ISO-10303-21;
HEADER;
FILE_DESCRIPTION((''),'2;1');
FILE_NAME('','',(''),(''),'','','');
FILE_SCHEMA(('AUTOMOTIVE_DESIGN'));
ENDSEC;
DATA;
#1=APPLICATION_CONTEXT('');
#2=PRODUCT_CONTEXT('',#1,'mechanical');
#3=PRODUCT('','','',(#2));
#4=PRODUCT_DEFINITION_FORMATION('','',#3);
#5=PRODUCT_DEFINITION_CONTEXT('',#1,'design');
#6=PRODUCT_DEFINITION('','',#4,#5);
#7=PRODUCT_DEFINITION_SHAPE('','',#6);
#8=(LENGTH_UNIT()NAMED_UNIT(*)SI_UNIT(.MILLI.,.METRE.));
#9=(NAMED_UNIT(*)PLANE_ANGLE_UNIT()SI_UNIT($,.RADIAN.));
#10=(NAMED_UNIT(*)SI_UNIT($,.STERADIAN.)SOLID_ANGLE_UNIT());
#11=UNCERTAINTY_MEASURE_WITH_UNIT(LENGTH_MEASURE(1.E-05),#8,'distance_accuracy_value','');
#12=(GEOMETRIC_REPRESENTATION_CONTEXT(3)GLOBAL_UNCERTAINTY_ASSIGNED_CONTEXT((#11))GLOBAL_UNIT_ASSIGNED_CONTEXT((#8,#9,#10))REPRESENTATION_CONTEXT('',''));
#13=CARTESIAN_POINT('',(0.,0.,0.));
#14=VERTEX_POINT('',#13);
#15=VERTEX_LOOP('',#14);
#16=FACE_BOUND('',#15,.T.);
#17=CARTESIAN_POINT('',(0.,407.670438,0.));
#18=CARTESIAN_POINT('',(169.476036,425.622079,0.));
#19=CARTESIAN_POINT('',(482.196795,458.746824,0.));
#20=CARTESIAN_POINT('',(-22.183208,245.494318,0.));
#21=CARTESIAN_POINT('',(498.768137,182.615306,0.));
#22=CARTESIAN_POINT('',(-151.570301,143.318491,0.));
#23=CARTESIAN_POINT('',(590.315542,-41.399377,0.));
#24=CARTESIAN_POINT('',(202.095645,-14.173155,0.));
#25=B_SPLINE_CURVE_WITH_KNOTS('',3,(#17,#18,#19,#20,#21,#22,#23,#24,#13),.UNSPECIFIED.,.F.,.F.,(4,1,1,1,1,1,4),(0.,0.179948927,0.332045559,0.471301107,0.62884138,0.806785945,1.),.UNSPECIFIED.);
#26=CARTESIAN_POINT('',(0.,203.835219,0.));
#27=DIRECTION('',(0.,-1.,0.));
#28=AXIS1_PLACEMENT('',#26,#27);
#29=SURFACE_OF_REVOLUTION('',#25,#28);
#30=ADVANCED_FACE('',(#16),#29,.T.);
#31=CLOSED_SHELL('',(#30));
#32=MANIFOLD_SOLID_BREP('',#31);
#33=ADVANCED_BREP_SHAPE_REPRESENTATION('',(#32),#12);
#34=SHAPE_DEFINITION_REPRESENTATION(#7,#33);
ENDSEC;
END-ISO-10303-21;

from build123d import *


with BuildPart() as f1:
    # F0 (on Top) → F1 (revolve)
    with BuildSketch(Plane.XY):
        with BuildLine():
            add(Edge.make_bspline(
                [(0, 407.6704382896), (169.4760361528, 425.6220785069), (482.1967952683, 458.7468239491), (-22.183208367, 245.4943179863), (498.7681367238, 182.6153056316), (-151.5703010556, 143.3184910032), (590.3155416248, -41.3993767175), (202.095644653, -14.1731550942), (0, 0)],
                knots=[0, 0, 0, 0, 0.1799489274, 0.332045559, 0.4713011073, 0.6288413801, 0.8067859449, 1, 1, 1, 1], degree=3))
            Line((0, 407.6704382896), (0, 0))
        make_face()
    revolve(axis=Axis((0, 203.8352191448, 0), (0, -1, 0)))


solid = f1.part
